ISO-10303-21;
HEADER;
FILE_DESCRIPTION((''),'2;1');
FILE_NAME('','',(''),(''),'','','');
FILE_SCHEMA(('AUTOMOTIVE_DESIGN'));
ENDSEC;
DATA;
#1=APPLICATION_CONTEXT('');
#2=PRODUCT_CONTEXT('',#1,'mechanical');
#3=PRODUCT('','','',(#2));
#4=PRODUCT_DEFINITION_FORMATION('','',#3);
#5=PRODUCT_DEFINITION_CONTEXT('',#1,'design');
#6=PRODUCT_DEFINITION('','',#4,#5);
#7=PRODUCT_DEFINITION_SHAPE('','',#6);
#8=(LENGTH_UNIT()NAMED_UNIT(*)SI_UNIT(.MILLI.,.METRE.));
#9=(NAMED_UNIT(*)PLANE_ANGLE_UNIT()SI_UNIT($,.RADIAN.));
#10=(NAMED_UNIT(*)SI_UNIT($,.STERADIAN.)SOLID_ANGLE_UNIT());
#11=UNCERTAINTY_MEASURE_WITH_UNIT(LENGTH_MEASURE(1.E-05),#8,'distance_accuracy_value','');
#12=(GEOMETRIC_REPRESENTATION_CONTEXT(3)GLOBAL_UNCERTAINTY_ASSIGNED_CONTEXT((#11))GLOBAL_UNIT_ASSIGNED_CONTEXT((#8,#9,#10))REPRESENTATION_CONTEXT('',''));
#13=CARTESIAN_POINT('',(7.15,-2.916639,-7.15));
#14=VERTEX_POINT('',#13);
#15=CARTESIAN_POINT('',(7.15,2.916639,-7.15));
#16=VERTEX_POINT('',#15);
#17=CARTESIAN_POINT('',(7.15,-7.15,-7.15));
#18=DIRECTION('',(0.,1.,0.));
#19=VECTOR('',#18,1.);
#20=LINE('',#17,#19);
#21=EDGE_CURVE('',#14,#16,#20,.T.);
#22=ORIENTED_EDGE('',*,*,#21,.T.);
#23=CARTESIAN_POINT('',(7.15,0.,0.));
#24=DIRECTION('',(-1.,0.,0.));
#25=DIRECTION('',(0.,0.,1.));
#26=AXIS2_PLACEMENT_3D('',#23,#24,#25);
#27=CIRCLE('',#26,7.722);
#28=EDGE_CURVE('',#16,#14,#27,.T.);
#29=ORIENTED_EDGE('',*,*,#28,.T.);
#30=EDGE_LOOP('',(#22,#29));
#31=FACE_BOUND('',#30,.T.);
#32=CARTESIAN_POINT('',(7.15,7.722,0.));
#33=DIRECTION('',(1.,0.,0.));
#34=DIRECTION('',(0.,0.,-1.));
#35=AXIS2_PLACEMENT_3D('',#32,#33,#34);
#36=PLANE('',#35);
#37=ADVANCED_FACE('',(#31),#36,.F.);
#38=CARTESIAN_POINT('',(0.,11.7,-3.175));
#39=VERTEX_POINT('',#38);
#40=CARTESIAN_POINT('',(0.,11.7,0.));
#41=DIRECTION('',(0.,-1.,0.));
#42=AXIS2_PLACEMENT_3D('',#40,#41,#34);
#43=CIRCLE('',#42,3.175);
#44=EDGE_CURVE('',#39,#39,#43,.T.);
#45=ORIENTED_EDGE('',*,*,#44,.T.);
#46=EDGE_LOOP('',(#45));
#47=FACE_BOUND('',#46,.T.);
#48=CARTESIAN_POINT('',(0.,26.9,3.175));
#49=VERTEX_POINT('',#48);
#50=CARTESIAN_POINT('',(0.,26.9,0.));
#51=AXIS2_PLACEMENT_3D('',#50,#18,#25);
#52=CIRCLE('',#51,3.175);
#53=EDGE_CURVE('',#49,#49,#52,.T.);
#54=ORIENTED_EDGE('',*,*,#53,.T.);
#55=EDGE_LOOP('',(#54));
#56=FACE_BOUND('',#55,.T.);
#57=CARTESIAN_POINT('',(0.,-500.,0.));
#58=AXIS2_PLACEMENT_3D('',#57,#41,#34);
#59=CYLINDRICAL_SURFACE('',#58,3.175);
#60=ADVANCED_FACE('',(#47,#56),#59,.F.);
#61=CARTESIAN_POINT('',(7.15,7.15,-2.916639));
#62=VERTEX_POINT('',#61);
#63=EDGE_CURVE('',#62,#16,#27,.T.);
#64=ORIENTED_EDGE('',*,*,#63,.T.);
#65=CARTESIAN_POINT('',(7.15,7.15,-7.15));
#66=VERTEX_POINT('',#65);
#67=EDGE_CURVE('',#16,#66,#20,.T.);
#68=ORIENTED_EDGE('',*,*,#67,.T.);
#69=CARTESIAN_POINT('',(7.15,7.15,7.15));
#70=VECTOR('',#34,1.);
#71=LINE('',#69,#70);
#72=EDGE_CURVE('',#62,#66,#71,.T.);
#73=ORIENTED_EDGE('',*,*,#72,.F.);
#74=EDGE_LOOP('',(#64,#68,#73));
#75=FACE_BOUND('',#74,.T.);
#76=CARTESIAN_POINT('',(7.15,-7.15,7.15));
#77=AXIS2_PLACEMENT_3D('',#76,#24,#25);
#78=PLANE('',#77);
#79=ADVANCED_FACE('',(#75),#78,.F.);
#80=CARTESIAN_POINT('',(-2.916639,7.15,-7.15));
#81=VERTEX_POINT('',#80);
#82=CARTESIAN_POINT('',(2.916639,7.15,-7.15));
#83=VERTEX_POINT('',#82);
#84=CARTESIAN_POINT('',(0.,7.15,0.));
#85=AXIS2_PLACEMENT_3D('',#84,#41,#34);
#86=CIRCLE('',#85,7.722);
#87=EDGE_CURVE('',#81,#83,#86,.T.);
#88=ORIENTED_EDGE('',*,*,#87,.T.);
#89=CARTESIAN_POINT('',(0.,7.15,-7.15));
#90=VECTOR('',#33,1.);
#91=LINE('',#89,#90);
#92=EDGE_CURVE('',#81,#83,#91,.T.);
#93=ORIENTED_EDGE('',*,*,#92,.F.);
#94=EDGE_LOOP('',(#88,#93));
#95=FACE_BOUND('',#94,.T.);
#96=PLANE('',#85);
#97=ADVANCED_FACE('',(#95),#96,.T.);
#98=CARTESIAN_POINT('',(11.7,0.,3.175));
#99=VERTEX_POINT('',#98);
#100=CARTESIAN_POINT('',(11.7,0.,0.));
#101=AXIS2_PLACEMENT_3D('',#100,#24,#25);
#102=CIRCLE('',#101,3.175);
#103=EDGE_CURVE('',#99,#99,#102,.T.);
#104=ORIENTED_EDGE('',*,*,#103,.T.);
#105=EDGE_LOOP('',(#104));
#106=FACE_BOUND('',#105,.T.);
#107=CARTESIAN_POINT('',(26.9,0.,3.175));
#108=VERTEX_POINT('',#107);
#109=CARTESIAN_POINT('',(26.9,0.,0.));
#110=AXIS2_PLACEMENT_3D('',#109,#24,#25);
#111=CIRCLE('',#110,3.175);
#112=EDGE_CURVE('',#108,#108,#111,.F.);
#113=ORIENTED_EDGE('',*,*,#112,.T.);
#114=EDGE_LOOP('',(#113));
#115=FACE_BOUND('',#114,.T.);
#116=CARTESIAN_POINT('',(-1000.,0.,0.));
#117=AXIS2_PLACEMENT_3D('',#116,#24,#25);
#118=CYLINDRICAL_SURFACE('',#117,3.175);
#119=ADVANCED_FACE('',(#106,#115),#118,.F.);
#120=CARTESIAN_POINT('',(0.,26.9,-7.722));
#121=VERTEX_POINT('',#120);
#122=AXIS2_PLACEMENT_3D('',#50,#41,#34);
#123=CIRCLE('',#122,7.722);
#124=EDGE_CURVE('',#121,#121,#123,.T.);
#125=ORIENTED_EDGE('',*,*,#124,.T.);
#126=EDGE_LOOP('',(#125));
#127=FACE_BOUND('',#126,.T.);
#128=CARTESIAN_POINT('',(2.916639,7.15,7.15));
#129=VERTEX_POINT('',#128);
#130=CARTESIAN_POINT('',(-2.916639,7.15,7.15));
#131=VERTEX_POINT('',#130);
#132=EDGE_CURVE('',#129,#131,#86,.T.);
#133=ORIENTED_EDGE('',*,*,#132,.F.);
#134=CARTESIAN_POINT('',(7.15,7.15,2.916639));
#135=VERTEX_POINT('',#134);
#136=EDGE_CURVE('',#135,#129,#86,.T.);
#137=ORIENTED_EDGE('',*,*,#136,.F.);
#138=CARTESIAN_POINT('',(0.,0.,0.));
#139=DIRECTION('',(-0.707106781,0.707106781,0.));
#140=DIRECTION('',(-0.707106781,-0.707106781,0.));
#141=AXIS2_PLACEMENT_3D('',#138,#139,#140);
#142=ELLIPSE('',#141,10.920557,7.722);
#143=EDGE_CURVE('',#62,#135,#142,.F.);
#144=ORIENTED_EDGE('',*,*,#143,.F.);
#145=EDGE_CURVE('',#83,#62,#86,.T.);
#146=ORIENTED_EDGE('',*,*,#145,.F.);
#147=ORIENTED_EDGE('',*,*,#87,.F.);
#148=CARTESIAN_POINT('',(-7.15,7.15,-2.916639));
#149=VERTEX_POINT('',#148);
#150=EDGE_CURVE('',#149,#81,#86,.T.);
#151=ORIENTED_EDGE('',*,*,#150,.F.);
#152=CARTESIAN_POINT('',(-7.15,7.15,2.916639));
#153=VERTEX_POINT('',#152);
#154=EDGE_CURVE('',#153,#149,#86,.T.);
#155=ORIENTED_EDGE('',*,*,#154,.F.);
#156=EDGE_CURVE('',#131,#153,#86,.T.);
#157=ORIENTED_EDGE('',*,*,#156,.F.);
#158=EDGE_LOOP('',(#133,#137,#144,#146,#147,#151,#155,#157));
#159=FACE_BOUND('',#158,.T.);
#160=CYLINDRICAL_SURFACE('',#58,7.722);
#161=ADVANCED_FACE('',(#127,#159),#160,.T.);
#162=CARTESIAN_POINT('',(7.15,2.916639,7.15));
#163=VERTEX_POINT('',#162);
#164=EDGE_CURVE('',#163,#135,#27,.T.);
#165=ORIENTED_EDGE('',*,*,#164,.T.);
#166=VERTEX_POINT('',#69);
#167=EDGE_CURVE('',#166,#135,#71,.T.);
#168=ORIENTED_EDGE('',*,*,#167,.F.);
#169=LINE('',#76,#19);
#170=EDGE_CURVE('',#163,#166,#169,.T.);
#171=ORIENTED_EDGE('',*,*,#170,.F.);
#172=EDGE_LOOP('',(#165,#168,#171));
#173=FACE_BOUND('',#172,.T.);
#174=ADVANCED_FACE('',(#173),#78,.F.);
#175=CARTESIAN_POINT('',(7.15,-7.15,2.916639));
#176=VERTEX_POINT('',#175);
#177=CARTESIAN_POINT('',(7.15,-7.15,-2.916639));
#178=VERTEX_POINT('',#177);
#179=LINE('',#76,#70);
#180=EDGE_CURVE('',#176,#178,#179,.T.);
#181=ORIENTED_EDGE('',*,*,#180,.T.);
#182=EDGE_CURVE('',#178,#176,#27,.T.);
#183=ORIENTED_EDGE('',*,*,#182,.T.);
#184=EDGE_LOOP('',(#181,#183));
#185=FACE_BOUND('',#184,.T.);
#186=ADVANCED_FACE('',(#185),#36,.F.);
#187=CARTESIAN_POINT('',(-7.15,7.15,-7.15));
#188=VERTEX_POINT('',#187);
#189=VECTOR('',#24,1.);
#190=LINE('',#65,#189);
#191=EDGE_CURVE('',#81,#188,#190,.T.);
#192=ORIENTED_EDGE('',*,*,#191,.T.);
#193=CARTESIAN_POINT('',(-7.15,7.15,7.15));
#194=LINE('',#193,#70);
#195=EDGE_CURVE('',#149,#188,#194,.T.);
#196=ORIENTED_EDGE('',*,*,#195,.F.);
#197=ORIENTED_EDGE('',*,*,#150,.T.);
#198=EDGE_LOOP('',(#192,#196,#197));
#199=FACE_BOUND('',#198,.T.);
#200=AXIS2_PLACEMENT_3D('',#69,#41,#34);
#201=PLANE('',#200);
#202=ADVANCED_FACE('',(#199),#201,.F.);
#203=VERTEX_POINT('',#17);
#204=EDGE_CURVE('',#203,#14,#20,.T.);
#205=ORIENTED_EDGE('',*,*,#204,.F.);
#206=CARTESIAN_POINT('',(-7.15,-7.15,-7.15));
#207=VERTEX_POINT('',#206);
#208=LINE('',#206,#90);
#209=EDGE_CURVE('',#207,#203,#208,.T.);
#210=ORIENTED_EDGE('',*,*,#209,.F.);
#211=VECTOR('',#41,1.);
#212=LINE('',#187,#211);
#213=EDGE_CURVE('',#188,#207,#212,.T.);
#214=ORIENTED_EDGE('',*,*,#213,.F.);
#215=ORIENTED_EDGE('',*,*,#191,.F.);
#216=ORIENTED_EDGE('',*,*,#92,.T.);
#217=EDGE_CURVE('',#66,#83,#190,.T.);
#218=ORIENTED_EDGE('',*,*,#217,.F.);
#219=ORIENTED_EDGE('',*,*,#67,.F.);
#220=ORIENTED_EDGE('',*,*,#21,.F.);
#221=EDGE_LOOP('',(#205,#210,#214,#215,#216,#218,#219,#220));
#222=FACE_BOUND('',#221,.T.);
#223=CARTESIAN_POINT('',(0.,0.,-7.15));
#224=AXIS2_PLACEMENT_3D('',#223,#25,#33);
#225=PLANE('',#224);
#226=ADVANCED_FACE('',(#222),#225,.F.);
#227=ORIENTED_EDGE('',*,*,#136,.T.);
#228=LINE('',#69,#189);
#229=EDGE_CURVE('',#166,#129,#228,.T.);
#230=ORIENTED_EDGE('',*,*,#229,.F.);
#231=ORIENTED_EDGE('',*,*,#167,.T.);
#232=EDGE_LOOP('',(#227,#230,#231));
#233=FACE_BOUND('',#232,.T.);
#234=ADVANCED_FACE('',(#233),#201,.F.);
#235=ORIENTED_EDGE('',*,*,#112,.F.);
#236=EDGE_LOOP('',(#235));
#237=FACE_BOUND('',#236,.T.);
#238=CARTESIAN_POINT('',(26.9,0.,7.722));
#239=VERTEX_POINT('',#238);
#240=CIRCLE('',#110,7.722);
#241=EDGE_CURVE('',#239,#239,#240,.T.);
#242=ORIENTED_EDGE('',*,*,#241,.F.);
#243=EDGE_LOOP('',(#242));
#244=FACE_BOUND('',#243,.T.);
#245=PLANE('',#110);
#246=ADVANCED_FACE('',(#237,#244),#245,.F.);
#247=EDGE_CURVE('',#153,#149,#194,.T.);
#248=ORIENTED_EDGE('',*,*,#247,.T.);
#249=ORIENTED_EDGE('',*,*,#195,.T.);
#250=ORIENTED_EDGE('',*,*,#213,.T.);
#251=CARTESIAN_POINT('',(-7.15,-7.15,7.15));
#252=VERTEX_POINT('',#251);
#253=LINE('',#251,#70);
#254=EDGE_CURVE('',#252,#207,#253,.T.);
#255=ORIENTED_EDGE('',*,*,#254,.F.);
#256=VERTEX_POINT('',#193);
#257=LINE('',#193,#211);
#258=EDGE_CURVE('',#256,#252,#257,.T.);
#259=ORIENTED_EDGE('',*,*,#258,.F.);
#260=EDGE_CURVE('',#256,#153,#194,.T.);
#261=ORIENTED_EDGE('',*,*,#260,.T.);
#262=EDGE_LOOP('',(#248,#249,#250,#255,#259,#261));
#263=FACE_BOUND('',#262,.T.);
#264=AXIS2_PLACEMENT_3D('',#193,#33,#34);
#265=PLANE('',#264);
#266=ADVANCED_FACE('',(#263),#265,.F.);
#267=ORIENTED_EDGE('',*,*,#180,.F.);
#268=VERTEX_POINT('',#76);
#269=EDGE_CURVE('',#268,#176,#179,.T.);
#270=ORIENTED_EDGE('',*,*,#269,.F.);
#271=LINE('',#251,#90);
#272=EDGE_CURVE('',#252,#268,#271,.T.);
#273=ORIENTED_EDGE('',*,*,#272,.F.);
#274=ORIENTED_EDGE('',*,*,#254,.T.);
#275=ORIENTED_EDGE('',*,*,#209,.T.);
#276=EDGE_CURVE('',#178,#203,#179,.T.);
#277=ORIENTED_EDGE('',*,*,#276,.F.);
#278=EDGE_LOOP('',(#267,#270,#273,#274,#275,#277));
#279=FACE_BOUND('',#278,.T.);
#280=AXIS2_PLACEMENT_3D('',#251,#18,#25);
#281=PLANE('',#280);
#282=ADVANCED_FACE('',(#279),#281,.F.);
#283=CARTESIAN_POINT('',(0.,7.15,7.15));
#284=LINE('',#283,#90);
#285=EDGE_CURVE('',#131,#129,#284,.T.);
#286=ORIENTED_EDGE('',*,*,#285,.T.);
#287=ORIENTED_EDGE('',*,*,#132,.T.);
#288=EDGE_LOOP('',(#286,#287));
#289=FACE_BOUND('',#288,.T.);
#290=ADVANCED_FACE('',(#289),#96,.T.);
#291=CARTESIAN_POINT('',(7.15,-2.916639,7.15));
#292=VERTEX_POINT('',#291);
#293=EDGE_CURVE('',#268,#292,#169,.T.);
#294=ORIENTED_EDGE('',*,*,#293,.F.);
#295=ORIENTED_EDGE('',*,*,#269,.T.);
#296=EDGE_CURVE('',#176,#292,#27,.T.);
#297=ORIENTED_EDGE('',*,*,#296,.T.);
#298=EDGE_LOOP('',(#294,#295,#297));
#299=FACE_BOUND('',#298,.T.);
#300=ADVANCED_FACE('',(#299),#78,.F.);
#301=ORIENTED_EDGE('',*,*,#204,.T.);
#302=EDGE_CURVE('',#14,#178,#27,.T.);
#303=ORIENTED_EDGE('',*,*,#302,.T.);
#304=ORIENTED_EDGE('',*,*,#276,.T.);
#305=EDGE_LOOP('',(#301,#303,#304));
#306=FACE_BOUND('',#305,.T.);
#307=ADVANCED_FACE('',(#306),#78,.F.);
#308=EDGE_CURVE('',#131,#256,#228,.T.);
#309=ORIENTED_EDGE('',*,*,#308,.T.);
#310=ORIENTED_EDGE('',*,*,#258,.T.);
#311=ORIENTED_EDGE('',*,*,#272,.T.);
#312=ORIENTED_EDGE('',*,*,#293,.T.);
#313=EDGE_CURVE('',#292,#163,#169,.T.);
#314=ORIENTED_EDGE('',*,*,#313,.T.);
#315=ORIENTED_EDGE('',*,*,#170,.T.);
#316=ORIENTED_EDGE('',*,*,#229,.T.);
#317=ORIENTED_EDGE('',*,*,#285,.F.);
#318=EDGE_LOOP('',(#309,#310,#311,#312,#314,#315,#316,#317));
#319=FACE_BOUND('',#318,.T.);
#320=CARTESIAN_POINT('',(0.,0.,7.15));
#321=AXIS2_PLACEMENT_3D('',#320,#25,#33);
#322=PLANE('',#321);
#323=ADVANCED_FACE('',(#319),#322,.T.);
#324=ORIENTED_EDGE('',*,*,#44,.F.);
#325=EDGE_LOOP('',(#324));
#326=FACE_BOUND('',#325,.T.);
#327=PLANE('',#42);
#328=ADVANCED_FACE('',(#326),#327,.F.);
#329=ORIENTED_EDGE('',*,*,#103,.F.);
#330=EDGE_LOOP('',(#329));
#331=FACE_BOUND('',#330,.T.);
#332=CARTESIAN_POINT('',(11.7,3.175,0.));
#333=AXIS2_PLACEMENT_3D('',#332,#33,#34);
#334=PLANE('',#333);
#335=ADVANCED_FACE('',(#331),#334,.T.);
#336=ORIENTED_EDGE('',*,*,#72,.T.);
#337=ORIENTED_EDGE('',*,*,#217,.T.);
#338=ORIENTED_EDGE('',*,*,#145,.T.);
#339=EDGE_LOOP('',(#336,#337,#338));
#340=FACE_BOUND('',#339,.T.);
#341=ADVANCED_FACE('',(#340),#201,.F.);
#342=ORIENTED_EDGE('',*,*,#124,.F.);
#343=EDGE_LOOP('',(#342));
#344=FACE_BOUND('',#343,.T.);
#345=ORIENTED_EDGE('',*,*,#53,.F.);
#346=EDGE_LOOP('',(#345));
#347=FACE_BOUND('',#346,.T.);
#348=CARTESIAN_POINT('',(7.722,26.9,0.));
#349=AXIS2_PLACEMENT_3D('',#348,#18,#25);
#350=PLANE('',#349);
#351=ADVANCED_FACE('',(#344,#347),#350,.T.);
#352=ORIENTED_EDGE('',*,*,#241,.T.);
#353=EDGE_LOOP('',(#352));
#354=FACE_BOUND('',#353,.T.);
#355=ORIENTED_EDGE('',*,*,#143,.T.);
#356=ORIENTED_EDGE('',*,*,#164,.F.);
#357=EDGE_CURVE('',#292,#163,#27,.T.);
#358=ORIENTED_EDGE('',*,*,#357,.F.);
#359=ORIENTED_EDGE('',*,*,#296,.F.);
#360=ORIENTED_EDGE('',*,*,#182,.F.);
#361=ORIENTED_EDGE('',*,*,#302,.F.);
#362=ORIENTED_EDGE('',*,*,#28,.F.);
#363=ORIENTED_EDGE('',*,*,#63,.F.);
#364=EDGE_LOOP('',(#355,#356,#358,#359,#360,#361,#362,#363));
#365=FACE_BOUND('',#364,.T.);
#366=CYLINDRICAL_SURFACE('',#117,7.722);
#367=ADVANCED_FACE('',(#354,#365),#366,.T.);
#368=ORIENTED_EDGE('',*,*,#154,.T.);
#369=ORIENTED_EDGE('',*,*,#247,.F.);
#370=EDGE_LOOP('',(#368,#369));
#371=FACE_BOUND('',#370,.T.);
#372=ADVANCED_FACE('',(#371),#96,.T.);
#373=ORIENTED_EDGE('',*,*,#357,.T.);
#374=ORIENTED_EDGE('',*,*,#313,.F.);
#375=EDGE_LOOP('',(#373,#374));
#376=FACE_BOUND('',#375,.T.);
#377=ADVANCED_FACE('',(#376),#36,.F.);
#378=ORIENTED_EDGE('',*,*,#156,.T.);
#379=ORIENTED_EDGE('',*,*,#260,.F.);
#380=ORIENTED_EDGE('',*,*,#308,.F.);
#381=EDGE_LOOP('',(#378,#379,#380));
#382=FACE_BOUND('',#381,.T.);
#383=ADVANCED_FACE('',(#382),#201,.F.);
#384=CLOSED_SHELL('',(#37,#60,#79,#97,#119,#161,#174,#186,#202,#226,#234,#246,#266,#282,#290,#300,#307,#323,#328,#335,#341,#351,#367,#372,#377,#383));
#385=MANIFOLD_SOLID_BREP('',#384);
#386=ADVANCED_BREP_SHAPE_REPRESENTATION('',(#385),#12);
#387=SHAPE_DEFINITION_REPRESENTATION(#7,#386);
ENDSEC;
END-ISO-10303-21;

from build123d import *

# Parameters (mm, degrees)
BLOCK_SKETCH_W    = 14.3
BLOCK_SKETCH_H    = 14.3
BLOCK_DEPTH       = 7.15
ARM_X_SKETCH_W    = 19.75
ARM_X_SKETCH_H    = 7.722
ARM_Y_SKETCH_W    = 7.722
ARM_Y_SKETCH_H    = 19.75
SOCKET_X_SKETCH_W = 16.2
SOCKET_X_SKETCH_H = 3.175
SOCKET_Y_SKETCH_W = 3.175
SOCKET_Y_SKETCH_H = 16.2


with BuildPart() as part:
    # Block Sketch → Block (new, symmetric)
    with BuildSketch(Plane.XY):
        Rectangle(BLOCK_SKETCH_W, BLOCK_SKETCH_H)
    extrude(amount=BLOCK_DEPTH, both=True)

    # Arm X Sketch → Arm X (revolve)
    with BuildSketch(Plane.XY):
        with Locations((17.025, 3.861)):
            Rectangle(ARM_X_SKETCH_W, ARM_X_SKETCH_H)
    revolve(axis=Axis((-1000, 0, 0), (1, 0, 0)))

    # Arm Y Sketch → Arm Y (revolve)
    with BuildSketch(Plane.XY):
        with Locations((3.861, 17.025)):
            Rectangle(ARM_Y_SKETCH_W, ARM_Y_SKETCH_H)
    revolve(axis=Axis((0, -500, 0), (0, 1, 0)))

    # Socket X Sketch → Socket X (revolve, cut)
    with BuildSketch(Plane.XY):
        with Locations((19.8, 1.5875)):
            Rectangle(SOCKET_X_SKETCH_W, SOCKET_X_SKETCH_H)
    revolve(axis=Axis((-1000, 0, 0), (1, 0, 0)), mode=Mode.SUBTRACT)

    # Socket Y Sketch → Socket Y (revolve, cut)
    with BuildSketch(Plane.XY):
        with Locations((1.5875, 19.8)):
            Rectangle(SOCKET_Y_SKETCH_W, SOCKET_Y_SKETCH_H)
    revolve(axis=Axis((0, -500, 0), (0, 1, 0)), mode=Mode.SUBTRACT)


solid = part.part
